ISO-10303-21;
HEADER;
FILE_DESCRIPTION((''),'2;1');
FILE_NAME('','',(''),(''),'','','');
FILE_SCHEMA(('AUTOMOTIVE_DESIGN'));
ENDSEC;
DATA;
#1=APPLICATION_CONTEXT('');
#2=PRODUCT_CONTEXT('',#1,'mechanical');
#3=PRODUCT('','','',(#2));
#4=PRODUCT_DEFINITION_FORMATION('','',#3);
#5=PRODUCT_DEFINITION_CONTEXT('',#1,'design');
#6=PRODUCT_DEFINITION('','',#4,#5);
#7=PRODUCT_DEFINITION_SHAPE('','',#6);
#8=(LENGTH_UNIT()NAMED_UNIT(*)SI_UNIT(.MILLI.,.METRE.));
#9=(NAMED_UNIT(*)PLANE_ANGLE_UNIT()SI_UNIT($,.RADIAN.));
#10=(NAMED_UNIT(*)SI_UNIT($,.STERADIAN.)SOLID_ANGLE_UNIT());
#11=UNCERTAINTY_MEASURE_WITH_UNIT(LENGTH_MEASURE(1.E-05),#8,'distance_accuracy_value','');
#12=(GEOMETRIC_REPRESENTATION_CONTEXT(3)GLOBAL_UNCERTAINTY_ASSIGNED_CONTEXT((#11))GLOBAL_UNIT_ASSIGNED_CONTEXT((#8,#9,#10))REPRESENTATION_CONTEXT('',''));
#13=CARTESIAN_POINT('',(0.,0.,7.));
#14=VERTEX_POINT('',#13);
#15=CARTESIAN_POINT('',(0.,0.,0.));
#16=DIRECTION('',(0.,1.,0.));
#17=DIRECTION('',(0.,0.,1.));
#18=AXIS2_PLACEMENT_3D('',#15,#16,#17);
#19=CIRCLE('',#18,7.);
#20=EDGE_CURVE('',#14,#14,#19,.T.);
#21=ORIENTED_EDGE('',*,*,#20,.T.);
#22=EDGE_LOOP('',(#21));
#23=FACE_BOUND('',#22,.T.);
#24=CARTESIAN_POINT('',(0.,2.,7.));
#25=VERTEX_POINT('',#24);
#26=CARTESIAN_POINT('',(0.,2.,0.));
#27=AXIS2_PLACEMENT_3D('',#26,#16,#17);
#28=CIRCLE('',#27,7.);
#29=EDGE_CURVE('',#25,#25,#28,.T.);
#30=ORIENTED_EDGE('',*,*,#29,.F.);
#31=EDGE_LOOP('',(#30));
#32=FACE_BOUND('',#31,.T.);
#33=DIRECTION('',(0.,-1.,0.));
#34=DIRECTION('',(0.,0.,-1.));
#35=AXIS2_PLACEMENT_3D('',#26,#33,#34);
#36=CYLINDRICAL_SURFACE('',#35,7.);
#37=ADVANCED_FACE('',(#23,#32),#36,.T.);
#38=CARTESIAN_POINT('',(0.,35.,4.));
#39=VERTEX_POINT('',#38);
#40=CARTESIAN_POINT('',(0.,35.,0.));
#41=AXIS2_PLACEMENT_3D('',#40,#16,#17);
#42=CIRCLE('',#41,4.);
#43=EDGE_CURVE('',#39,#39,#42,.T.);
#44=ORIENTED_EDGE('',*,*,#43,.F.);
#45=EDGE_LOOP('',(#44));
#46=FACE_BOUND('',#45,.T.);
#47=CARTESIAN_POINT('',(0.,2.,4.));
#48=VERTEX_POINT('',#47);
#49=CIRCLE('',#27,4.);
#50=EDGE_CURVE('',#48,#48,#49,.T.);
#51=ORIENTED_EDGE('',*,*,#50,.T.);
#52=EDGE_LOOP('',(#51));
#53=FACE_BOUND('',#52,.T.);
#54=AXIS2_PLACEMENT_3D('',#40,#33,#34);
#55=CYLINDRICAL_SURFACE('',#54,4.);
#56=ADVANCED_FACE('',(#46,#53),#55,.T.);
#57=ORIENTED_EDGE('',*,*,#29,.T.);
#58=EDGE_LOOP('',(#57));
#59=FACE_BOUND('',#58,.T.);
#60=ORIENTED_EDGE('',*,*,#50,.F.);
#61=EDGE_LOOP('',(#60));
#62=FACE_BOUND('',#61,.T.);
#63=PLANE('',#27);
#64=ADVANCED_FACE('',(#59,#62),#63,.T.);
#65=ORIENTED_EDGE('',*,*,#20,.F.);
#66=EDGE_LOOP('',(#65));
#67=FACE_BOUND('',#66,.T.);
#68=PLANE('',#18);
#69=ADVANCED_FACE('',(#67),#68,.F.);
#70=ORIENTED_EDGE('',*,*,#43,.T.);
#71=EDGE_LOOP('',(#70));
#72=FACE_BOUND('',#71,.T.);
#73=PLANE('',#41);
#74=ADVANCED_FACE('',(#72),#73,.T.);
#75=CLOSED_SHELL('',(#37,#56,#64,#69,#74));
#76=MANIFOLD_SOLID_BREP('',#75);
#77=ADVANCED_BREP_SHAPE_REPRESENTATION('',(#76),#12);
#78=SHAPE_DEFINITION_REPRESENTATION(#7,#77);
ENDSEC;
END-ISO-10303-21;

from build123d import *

# Parameters (mm, degrees)
ESQUISSE1_R        = 7
ESQUISSE1_R_2      = 4
BOSS_EXTRU_1_DEPTH = 2
ESQUISSE1_4_R      = 4
BOSS_EXTRU_3_DEPTH = 35


with BuildPart() as part:
    # Esquisse1 → Boss.-Extru.1 (new body)
    with BuildSketch(Plane(origin=(0, 0, 0), x_dir=(1, 0, 0), z_dir=(0, 1, 0))):
        Circle(ESQUISSE1_R)
        Circle(ESQUISSE1_R_2, mode=Mode.SUBTRACT)
    extrude(amount=BOSS_EXTRU_1_DEPTH)

    # Esquisse1<4> → Boss.-Extru.3 (add)
    with BuildSketch(Plane(origin=(0, 0, 0), x_dir=(1, 0, 0), z_dir=(0, 1, 0))):
        Circle(ESQUISSE1_4_R)
    extrude(amount=BOSS_EXTRU_3_DEPTH)


solid = part.part
